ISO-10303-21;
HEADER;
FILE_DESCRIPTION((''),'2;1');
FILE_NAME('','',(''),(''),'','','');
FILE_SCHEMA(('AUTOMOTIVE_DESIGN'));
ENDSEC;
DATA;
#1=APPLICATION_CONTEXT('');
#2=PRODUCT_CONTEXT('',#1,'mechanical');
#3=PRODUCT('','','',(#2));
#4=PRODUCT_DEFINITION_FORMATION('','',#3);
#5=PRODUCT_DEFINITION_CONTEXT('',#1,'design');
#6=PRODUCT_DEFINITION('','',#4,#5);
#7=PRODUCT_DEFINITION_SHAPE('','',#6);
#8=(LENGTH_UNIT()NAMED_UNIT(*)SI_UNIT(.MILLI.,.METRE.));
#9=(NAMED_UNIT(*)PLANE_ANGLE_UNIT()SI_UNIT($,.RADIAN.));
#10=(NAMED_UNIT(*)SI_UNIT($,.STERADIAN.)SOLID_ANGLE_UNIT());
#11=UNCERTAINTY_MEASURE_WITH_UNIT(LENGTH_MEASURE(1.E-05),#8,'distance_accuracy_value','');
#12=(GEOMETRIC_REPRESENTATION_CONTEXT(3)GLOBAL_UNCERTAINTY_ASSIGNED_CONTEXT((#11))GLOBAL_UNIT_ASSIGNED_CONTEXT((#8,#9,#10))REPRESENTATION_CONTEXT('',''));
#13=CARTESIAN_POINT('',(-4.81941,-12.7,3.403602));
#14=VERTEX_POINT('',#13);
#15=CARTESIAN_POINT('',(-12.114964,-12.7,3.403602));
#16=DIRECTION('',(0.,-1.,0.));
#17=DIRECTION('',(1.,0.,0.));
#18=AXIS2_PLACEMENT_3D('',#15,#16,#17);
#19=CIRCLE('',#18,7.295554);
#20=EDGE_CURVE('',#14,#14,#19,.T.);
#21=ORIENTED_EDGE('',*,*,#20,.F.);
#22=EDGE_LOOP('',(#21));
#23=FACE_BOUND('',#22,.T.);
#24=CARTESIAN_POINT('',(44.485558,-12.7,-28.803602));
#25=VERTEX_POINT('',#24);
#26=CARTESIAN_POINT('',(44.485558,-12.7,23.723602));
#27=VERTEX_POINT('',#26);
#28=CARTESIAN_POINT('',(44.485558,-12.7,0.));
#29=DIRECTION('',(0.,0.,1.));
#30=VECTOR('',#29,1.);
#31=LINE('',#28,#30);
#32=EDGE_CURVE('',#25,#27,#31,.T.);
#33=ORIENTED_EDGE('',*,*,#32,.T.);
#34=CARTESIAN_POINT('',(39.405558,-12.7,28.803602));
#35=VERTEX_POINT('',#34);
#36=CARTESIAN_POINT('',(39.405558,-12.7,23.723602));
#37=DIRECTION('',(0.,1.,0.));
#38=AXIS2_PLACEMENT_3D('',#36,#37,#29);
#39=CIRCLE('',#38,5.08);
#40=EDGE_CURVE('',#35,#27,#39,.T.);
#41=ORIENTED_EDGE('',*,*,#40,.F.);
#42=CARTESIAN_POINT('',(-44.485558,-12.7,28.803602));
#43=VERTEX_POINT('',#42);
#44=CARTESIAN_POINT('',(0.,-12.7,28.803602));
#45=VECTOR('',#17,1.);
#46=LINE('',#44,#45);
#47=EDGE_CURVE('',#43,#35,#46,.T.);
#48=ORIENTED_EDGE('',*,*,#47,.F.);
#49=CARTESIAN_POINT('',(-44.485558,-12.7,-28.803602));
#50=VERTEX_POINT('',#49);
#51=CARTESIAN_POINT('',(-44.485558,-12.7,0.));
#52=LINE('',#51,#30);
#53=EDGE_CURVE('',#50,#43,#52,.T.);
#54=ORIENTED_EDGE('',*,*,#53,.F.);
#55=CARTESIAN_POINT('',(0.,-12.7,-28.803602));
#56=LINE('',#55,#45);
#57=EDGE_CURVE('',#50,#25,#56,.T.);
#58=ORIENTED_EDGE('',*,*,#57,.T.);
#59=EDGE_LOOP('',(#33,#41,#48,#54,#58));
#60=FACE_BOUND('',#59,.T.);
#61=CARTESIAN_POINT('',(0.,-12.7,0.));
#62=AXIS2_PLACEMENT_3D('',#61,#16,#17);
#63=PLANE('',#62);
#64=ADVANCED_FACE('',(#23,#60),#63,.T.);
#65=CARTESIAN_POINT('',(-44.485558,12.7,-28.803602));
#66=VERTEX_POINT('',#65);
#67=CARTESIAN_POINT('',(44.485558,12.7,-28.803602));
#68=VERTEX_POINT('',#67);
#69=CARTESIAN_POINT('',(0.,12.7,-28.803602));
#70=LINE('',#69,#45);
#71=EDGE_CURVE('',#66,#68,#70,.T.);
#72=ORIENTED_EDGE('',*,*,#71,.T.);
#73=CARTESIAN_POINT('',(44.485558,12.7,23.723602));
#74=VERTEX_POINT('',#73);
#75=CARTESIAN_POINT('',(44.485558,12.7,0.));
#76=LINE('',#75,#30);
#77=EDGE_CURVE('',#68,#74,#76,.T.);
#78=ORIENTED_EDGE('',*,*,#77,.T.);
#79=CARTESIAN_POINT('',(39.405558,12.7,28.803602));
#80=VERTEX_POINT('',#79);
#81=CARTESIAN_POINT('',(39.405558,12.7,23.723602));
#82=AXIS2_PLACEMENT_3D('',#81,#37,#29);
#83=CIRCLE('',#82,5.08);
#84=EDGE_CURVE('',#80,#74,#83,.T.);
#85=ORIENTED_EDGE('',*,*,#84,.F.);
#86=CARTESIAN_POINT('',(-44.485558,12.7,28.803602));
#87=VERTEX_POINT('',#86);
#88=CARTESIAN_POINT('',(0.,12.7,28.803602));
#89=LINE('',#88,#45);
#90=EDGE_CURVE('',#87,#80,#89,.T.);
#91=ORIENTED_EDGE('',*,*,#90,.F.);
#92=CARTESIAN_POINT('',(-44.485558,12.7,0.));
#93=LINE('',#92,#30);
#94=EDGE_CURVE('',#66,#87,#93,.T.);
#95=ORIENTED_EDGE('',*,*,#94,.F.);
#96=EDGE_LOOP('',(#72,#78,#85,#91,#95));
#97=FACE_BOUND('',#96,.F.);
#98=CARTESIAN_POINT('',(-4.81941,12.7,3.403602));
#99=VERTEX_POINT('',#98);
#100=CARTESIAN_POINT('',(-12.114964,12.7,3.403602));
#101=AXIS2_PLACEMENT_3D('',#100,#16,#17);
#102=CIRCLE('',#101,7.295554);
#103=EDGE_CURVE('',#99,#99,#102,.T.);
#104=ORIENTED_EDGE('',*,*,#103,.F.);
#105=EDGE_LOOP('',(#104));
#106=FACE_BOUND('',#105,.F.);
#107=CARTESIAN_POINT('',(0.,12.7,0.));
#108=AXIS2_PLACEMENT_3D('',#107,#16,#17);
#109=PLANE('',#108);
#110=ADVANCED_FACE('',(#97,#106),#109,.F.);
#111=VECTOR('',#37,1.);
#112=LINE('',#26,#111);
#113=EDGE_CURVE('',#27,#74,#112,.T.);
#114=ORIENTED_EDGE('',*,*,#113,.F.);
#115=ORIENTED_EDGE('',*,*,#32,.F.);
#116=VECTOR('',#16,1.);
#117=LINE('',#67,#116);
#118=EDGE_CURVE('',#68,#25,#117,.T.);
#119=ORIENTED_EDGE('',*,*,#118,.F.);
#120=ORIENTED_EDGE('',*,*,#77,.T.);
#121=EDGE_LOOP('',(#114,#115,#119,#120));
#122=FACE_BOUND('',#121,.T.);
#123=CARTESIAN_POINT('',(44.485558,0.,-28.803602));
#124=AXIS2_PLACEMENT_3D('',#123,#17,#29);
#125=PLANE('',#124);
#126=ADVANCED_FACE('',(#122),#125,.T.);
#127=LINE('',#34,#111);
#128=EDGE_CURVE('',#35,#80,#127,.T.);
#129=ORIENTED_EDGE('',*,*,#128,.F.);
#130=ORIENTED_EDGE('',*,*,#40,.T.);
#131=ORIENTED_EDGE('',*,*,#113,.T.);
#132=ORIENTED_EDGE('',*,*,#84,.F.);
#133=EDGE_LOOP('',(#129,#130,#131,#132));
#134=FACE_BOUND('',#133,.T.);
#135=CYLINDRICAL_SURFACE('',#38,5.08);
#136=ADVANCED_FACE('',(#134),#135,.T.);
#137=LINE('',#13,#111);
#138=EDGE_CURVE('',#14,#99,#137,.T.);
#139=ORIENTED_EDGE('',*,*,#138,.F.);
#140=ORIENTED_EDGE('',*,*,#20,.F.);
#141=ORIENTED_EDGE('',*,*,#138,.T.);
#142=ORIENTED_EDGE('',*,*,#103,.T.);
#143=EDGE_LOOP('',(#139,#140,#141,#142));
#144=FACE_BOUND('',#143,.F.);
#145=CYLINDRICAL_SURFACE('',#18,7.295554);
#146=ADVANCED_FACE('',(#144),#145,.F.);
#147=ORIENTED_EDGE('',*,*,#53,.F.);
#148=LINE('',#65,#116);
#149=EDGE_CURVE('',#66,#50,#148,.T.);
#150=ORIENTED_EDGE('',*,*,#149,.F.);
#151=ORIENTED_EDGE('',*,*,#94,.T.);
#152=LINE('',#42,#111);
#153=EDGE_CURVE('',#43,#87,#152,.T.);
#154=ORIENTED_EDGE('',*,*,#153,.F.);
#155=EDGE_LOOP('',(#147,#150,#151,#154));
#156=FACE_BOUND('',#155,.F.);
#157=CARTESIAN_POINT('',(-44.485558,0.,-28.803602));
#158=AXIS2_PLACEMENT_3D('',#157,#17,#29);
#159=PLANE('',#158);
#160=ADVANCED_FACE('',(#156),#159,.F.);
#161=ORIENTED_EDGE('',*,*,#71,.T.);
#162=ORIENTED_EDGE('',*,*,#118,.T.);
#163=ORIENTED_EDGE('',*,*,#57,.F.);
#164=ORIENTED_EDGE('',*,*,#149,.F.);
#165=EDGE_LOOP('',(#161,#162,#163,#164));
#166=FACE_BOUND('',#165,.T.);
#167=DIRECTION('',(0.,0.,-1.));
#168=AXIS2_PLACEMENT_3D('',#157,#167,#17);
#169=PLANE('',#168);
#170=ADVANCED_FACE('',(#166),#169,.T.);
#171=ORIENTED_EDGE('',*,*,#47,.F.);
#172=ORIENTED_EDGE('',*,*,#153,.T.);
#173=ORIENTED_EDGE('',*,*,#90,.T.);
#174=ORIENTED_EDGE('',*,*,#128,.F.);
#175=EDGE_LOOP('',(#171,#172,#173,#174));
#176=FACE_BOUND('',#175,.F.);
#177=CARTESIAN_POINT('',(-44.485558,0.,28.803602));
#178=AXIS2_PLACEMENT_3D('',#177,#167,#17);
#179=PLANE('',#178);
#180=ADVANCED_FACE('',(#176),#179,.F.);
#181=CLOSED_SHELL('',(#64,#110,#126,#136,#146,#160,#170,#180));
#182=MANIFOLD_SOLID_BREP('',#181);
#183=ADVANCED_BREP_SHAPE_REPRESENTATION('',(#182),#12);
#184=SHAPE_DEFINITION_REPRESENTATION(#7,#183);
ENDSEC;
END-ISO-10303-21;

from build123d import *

# Parameters (mm, degrees)
F0_W     = 88.971116
F0_H     = 57.607204
F1_DEPTH = 12.7
F2_R     = 7.295554
F3_DEPTH = 25.4
F4_R     = 5.08


with BuildPart() as f1:
    # F0 (on Front) → F1 (new body, symmetric)
    with BuildSketch(Plane.XZ):
        Rectangle(F0_W, F0_H)
    extrude(amount=F1_DEPTH, both=True)

    # F2 (on face) → F3 (cut, through all)
    with BuildSketch(Plane.XZ.offset(12.7)):
        with Locations((-12.114964, 3.403602)):
            Circle(F2_R)
    extrude(amount=-F3_DEPTH, mode=Mode.SUBTRACT)

    # F4
    f4_edges = [f1.edges().sort_by_distance(p)[0] for p in [
        (44.485558, 0, 28.803602),
    ]]
    fillet(f4_edges, radius=F4_R)


solid = f1.part
